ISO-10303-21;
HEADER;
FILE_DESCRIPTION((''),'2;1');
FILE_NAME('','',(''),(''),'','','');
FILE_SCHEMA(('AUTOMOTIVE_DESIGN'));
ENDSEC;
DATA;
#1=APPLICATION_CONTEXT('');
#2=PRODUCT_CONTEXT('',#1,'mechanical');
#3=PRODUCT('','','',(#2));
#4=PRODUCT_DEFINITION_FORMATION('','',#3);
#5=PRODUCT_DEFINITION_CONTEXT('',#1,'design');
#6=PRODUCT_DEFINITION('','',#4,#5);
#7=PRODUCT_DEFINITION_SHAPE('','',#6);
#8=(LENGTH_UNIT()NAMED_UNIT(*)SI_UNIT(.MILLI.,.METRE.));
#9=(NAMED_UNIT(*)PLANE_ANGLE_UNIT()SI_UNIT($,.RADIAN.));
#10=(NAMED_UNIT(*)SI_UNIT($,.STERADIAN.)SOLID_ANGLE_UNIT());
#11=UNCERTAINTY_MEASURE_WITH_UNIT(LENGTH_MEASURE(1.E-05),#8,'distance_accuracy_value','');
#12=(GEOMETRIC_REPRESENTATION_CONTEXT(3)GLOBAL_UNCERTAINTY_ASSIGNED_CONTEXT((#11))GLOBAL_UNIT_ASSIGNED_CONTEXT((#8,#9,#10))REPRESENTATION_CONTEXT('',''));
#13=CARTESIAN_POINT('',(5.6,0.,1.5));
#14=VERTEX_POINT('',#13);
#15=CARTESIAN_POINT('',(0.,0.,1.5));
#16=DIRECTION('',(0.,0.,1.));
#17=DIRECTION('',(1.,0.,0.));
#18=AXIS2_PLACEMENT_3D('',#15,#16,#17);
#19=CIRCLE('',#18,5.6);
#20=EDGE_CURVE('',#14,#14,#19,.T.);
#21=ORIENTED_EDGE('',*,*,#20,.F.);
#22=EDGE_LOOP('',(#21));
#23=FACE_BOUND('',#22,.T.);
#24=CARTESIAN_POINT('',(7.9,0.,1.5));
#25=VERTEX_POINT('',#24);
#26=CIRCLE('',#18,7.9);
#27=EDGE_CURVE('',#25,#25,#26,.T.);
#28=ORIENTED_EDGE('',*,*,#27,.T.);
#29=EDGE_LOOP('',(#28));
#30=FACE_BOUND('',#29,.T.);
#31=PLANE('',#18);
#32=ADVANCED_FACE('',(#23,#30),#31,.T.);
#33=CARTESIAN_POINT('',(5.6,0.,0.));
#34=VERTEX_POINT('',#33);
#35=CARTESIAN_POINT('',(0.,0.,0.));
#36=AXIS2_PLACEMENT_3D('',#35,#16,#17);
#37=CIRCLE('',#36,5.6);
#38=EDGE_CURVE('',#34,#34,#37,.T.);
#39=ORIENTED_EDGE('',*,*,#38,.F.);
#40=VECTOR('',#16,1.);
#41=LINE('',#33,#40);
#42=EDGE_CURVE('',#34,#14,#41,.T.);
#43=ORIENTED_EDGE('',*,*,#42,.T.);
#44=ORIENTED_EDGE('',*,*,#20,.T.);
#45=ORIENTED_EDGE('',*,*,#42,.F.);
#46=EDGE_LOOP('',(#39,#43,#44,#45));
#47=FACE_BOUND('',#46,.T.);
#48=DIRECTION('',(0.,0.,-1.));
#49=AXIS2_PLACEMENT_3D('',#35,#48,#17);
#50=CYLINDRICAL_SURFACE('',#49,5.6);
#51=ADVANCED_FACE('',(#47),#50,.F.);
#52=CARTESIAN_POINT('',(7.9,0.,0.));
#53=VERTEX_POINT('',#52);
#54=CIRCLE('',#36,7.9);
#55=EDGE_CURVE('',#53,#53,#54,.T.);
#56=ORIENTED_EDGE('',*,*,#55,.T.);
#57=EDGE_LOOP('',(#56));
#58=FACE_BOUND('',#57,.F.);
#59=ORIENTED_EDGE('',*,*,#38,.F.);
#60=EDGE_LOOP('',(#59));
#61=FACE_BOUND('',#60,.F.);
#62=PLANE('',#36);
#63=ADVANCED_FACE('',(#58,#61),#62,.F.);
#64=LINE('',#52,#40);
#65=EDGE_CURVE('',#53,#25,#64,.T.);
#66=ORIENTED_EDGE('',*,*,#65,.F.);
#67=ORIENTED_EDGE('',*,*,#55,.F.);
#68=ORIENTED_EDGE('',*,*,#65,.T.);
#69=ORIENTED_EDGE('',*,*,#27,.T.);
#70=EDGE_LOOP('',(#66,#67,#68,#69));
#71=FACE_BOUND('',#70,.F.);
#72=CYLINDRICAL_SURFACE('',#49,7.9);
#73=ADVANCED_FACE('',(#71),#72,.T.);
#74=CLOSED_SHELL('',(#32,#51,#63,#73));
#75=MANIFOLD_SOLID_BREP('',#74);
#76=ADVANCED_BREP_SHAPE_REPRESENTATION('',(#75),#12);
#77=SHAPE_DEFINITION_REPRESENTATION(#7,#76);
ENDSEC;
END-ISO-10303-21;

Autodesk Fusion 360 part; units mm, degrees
sketch "Sketch1" plane through (0, 0, 0) normal (0, 0, 1) x (1, 0, 0)
  circle A0 centre (0, 0) radius 5.6
  circle A1 centre (0, 0) radius 7.9
  dimension "d1" = 11.2
  dimension "d2" = 15.8
extrude "Extrude1" add sketch "Sketch1" along normal blind 1.5
